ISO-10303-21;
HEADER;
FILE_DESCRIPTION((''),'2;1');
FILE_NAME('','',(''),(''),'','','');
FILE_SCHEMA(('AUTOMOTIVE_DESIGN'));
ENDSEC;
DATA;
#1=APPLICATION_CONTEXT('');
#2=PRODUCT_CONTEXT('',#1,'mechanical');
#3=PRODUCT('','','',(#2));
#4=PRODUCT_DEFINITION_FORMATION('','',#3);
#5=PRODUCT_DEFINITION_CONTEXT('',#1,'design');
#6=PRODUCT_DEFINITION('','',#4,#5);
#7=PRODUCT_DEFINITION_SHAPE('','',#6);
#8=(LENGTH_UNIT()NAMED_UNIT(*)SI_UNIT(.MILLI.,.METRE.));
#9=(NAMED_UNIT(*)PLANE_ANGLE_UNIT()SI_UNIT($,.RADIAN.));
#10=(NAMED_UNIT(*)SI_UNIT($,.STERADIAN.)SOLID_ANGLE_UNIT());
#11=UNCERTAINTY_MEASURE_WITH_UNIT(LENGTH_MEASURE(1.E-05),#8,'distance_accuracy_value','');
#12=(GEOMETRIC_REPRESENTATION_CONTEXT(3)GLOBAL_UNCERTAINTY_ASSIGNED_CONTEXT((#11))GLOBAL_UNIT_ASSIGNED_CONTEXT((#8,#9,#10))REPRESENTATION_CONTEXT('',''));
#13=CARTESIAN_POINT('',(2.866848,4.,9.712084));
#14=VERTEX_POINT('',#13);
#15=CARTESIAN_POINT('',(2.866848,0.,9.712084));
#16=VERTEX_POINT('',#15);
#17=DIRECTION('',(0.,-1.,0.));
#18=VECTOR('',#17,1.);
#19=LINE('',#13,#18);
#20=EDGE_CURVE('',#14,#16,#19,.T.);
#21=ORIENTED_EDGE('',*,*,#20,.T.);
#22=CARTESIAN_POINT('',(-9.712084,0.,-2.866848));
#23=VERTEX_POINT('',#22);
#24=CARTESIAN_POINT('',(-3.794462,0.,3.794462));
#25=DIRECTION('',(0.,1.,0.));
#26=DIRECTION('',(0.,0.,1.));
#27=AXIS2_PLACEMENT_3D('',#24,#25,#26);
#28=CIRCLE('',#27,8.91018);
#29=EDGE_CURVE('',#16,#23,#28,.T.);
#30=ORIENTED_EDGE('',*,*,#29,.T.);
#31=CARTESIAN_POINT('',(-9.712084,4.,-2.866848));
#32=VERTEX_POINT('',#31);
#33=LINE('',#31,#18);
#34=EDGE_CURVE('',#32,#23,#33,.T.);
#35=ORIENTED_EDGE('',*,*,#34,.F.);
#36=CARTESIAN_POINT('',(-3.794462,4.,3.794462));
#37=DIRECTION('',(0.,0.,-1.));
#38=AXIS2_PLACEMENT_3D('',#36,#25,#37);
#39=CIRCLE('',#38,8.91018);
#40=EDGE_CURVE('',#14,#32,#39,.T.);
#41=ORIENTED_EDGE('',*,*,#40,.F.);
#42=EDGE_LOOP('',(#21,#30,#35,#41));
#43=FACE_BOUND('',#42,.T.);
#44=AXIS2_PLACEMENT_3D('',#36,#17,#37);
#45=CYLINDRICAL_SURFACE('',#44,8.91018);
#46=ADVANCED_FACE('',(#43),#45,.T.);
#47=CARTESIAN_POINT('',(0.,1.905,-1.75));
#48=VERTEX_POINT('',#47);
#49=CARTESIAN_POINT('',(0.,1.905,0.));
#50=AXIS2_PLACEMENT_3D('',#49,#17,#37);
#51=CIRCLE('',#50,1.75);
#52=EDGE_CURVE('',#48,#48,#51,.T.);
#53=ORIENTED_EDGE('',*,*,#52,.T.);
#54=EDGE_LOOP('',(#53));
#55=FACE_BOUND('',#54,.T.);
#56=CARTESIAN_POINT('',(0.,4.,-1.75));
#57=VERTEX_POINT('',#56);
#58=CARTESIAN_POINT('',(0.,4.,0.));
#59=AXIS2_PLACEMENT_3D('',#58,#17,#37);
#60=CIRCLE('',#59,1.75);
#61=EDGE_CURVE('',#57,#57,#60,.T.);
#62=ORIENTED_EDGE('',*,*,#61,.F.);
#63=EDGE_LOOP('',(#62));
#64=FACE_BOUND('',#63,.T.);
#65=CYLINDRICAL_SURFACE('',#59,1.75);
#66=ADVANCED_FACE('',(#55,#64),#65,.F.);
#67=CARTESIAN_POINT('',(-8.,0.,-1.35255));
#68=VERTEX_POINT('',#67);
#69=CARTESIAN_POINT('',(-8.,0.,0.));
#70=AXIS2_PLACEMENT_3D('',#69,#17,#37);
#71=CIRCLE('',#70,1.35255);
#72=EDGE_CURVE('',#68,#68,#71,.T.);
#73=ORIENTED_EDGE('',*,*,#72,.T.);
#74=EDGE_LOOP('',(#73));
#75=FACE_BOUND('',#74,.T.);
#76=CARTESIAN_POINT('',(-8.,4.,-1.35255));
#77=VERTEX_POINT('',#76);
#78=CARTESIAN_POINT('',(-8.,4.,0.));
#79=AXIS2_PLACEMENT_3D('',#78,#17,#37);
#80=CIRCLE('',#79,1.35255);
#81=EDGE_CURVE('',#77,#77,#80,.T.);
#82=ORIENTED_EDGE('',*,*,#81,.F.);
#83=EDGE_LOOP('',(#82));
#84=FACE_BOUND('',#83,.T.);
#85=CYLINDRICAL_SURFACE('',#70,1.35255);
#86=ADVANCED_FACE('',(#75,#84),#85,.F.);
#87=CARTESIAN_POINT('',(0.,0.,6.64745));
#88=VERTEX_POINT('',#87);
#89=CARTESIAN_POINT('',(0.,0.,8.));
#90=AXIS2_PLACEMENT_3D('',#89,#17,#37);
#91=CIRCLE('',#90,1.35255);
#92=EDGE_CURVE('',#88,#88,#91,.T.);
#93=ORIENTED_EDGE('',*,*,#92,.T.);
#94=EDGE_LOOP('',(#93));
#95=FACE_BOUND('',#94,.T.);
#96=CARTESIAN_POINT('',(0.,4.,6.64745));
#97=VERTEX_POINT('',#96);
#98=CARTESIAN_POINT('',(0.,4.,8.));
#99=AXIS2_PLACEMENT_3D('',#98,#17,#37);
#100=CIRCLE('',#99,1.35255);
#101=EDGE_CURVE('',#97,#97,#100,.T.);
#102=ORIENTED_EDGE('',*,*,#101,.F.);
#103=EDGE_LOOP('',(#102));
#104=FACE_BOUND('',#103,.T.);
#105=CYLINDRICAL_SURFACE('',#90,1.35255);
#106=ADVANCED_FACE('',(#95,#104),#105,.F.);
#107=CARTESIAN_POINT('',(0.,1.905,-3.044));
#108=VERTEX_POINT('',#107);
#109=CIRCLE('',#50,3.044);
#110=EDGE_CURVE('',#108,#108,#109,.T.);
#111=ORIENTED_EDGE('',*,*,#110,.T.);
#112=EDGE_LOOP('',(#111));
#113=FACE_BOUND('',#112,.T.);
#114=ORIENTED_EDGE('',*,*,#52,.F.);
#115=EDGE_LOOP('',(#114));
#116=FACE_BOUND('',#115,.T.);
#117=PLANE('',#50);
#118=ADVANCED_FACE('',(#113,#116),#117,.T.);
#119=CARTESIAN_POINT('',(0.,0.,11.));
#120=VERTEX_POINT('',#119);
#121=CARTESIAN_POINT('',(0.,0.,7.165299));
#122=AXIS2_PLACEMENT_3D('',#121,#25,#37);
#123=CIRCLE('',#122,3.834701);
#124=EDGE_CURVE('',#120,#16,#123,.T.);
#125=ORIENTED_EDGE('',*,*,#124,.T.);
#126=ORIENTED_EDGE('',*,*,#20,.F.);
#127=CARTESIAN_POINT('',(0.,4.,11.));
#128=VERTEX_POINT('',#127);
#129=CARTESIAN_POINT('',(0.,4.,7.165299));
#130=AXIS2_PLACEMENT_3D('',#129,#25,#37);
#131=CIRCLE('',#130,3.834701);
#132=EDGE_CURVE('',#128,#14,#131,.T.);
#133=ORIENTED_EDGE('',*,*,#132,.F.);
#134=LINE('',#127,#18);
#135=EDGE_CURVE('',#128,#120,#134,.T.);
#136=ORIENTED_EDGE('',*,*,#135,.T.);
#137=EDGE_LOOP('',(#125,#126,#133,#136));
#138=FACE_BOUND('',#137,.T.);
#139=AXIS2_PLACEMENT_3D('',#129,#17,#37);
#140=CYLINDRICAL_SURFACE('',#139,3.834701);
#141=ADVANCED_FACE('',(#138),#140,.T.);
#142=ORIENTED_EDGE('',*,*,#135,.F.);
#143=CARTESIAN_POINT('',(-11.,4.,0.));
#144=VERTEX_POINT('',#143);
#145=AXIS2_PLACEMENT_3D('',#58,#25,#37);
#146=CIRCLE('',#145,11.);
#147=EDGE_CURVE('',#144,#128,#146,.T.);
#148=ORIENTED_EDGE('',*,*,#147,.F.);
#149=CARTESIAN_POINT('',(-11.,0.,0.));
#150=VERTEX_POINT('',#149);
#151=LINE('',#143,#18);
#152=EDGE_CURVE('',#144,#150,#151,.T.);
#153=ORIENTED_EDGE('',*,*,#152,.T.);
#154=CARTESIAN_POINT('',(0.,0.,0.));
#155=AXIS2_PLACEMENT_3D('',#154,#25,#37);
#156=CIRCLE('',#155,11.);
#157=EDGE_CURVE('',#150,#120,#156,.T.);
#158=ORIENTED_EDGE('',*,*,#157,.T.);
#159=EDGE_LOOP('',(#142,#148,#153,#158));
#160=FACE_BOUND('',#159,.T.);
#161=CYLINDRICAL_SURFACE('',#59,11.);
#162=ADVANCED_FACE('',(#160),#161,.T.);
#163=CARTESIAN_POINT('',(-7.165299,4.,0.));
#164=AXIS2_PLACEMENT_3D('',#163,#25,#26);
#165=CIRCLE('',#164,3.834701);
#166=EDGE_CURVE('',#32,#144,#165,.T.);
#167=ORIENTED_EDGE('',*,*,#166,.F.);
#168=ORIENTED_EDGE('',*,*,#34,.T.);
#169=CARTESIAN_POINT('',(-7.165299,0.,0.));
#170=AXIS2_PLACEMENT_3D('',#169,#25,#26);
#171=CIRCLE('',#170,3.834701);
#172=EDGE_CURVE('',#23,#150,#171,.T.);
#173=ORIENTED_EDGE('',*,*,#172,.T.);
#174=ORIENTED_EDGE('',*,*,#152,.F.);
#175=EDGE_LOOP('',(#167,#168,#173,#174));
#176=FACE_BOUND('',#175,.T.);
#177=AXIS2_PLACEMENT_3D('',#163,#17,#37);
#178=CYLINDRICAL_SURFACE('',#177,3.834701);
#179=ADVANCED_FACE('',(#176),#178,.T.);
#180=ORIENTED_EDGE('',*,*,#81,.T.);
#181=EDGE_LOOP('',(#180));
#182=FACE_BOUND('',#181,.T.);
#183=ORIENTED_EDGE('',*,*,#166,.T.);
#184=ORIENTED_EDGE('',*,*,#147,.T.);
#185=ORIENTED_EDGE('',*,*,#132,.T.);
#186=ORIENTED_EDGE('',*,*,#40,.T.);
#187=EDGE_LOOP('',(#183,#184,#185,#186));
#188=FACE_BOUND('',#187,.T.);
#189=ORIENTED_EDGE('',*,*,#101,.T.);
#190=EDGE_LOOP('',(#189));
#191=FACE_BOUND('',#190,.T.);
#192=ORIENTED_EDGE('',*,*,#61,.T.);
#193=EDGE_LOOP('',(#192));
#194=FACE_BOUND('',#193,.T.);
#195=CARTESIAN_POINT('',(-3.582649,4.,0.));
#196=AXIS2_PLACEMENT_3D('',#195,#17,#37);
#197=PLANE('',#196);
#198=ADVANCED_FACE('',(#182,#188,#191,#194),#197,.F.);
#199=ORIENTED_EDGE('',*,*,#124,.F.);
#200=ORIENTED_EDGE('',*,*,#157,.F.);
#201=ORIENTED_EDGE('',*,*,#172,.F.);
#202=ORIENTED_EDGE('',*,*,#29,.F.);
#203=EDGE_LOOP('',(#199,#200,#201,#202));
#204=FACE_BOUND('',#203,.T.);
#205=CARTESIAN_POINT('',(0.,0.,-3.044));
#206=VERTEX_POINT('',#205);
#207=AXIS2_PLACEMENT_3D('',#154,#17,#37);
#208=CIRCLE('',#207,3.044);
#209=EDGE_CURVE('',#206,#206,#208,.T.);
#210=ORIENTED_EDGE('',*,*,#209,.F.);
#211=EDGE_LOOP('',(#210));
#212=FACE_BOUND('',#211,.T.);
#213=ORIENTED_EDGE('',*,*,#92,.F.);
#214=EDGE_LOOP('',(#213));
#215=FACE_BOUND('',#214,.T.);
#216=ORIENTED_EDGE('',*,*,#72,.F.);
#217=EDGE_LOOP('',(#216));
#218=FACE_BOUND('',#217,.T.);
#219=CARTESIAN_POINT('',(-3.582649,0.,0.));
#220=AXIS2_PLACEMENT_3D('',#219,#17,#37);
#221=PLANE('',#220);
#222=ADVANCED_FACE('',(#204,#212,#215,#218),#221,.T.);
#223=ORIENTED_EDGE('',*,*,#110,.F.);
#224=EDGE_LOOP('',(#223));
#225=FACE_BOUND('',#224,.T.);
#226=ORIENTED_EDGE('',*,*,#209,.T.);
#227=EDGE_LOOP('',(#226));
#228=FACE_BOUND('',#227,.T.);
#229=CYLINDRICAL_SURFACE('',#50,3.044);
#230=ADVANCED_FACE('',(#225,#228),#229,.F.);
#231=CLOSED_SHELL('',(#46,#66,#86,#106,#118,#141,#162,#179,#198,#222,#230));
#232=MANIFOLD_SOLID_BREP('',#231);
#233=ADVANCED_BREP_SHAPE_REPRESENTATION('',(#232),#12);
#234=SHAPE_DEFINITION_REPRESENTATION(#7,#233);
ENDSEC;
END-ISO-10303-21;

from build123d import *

# Parameters (mm, degrees)
BOSS_EXTRUDE1_DEPTH   = 4
F_6_32_TAPPED_HOLE1_D = 2.7051
SKETCH4_R             = 3.044
CUT_EXTRUDE1_DEPTH    = 1.905
SKETCH5_R             = 1.75
CUT_EXTRUDE2_DEPTH    = 3.095


with BuildPart() as part:
    # Sketch1 → Boss-Extrude1 (new body)
    with BuildSketch(Plane(origin=(0, 0, 0), x_dir=(1, 0, 0), z_dir=(0, 1, 0))):
        with BuildLine():
            ThreePointArc((2.505986433, 2.505986433), (5.111833916, -3.531413722), (2.866848356, -9.712083716))
            ThreePointArc((2.866848356, -9.712083716), (1.571428319, -10.663233366), (0, -11))
            ThreePointArc((0, -11), (-7.778174593, -7.778174593), (-11, 0))
            ThreePointArc((-11, 0), (-10.663233366, 1.571428319), (-9.712083716, 2.866848356))
            ThreePointArc((-9.712083716, 2.866848356), (-3.531413722, 5.111833916), (2.505986433, 2.505986433))
        make_face()
    extrude(amount=BOSS_EXTRUDE1_DEPTH)

    # #6-32 Tapped Hole1 (through all)
    with Locations(Plane(origin=(0, 0, 0), x_dir=(-1, 0, 0), z_dir=(0, -1, 0))):
        with Locations((8, 0), (0, -8)):
            Hole(F_6_32_TAPPED_HOLE1_D / 2)

    # Sketch4 → Cut-Extrude1 (cut)
    with BuildSketch(Plane.XZ):
        Circle(SKETCH4_R)
    extrude(amount=-CUT_EXTRUDE1_DEPTH, mode=Mode.SUBTRACT)

    # Sketch5 → Cut-Extrude2 (cut, through all)
    with BuildSketch(Plane.XZ.offset(-1.905)):
        Circle(SKETCH5_R)
    extrude(amount=-CUT_EXTRUDE2_DEPTH, mode=Mode.SUBTRACT)


solid = part.part
